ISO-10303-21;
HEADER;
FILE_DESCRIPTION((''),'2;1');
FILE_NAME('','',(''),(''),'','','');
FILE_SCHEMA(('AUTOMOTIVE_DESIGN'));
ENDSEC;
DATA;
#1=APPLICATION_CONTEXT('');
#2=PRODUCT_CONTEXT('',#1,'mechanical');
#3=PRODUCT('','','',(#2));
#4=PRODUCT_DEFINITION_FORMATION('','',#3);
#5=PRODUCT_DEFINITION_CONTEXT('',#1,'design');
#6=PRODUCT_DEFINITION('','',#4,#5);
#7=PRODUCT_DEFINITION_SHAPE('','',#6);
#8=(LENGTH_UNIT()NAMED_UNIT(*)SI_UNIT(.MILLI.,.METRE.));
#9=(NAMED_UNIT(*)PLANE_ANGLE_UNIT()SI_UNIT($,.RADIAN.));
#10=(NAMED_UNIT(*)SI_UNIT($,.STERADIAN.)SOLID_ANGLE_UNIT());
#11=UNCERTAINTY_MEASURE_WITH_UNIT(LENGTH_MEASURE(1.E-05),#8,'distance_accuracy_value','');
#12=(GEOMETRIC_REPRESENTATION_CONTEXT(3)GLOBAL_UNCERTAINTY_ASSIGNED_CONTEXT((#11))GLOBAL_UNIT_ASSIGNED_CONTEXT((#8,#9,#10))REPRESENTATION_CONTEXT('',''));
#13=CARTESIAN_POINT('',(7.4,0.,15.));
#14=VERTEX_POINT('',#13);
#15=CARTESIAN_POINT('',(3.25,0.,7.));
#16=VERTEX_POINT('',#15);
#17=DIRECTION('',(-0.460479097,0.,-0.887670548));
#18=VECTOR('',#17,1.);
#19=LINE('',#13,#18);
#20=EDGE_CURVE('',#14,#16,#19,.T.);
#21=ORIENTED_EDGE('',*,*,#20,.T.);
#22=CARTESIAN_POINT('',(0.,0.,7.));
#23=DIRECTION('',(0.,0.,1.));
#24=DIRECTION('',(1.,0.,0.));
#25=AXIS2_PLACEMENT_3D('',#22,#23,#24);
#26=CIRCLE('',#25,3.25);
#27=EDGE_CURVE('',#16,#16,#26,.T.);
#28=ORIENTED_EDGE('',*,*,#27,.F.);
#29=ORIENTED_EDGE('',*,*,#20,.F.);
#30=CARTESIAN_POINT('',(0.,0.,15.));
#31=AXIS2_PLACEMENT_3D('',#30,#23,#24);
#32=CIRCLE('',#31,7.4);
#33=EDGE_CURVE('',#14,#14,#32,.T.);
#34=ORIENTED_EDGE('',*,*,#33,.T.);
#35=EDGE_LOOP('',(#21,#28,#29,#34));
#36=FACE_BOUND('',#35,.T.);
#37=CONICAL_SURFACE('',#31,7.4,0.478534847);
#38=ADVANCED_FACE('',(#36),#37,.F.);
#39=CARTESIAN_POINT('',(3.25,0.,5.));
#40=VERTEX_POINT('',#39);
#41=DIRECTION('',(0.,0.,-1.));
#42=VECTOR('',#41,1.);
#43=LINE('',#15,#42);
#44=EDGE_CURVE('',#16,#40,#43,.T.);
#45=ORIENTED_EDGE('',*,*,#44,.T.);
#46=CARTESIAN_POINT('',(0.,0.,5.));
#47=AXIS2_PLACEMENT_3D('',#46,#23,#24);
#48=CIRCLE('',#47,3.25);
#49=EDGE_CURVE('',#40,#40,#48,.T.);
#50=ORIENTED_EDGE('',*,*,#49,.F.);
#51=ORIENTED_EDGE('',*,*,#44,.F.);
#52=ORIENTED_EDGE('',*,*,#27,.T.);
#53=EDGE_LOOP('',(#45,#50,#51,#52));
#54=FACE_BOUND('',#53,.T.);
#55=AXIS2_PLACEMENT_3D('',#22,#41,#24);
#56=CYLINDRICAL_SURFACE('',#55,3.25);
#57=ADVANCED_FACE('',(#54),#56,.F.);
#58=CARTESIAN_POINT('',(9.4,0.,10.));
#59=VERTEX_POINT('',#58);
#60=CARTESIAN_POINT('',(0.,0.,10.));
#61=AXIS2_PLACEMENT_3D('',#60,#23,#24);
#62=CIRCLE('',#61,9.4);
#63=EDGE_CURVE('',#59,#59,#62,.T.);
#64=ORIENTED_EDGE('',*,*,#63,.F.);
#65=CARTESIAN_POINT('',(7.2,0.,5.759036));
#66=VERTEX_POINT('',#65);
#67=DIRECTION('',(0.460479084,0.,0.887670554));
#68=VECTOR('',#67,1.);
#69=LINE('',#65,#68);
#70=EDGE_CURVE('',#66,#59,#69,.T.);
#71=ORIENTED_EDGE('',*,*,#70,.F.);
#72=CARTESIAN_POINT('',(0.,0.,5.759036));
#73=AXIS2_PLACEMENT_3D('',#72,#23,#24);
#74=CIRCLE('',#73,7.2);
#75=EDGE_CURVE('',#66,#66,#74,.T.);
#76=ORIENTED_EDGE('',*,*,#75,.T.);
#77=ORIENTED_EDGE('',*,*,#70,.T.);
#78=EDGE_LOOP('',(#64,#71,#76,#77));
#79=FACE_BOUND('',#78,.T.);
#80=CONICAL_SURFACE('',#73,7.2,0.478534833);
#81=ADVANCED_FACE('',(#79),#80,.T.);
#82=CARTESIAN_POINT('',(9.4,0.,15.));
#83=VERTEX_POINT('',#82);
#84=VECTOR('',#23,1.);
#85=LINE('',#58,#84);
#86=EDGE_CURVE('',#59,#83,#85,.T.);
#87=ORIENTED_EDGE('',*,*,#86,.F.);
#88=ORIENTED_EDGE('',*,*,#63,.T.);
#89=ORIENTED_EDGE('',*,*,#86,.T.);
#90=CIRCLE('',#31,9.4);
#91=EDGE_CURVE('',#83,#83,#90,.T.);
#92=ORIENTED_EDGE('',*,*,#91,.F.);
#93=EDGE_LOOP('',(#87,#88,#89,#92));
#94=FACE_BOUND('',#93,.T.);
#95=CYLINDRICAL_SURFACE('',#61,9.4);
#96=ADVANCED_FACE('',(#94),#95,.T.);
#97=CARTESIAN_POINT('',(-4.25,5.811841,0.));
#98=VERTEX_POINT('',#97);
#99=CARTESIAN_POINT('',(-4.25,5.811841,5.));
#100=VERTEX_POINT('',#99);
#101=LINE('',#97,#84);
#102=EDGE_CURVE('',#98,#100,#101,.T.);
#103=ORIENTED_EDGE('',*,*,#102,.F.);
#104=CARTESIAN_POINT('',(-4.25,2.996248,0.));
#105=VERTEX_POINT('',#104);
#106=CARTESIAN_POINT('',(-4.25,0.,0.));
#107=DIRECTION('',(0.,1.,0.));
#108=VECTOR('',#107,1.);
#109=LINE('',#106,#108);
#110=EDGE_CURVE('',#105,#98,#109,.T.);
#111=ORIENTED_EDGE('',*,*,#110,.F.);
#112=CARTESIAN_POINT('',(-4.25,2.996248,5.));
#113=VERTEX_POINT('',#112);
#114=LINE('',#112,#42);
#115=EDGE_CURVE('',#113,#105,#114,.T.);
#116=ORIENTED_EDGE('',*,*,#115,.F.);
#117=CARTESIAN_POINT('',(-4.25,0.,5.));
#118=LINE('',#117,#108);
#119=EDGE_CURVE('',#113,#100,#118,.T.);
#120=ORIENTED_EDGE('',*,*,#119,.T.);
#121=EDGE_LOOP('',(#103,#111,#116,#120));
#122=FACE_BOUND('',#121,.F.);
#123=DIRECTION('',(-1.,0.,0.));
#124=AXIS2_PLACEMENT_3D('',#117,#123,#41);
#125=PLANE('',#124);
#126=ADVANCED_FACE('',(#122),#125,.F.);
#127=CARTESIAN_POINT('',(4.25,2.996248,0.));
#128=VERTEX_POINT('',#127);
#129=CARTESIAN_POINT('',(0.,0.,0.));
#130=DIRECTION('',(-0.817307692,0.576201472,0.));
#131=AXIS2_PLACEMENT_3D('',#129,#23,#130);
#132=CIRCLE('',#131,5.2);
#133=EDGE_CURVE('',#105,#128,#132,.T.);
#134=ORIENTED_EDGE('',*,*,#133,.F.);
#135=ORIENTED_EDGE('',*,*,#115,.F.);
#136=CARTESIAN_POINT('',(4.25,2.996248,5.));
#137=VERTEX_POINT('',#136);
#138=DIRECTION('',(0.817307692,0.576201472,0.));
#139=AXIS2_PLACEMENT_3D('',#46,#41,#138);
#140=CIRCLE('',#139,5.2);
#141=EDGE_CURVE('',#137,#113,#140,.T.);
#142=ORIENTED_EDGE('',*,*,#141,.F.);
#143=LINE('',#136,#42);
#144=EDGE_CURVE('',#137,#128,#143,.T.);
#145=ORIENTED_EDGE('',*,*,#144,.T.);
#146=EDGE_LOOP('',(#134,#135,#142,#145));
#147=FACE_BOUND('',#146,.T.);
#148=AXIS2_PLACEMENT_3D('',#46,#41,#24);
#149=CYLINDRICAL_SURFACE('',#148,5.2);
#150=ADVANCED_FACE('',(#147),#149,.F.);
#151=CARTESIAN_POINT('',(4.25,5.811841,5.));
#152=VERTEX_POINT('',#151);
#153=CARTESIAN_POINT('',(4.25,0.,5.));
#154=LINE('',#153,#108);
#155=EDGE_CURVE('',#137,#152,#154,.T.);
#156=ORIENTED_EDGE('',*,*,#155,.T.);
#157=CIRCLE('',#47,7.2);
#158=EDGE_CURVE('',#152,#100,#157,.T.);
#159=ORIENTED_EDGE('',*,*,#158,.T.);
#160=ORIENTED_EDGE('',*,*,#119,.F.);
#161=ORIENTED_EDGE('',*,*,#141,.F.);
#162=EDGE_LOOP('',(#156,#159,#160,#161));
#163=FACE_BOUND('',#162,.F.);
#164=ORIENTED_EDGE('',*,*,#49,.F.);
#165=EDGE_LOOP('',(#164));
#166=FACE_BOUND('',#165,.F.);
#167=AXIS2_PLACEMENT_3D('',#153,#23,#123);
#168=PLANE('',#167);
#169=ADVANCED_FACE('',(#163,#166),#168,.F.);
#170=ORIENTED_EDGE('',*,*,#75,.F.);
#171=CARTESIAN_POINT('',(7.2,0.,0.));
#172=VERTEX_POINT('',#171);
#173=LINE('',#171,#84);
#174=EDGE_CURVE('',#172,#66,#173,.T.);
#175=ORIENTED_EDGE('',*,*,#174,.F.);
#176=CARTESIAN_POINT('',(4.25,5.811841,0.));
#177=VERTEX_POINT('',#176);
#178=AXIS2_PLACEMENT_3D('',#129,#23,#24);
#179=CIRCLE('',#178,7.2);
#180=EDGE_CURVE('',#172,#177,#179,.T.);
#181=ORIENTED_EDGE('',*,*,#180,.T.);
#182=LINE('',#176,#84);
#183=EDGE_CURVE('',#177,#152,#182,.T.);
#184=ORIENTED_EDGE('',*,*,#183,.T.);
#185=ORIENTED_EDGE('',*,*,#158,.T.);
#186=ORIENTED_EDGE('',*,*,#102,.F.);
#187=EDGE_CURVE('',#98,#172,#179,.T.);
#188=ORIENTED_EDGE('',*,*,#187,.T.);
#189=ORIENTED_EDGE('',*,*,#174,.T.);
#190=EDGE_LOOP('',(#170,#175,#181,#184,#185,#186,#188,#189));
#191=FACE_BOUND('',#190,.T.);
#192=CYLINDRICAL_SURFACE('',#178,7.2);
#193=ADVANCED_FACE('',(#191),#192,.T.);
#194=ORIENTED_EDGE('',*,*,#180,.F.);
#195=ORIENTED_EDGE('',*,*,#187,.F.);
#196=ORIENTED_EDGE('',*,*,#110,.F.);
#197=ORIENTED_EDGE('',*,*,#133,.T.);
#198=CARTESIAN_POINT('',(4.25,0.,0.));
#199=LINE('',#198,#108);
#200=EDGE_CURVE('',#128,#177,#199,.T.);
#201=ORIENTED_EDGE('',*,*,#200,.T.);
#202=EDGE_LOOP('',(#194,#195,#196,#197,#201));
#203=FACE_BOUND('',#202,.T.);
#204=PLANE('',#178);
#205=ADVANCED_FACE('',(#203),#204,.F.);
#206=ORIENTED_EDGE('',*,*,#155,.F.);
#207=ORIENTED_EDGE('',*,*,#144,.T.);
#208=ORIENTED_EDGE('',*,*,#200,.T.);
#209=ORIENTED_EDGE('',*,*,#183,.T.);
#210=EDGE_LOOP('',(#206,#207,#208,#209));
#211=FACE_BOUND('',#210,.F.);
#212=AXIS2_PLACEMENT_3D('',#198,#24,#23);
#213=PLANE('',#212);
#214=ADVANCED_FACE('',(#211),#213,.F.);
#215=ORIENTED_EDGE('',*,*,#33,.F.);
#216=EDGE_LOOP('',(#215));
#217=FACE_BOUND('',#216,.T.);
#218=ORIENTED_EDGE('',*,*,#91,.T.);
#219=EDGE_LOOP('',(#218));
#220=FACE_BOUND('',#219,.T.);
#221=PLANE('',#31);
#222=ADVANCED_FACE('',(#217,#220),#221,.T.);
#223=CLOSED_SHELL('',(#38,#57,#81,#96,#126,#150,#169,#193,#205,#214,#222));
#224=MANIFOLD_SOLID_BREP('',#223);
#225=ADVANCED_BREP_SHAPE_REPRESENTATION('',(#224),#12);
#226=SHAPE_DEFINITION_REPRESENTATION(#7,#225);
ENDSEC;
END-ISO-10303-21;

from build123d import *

# Parameters (mm, degrees)
F3_DEPTH = 25


with BuildPart() as f1:
    # F0 (on Front) → F1 (revolve)
    with BuildSketch(Plane.XZ):
        Polygon((7.2, 5.759036), (9.4, 10), (9.4, 15), (7.4, 15), (3.25, 7), (3.25, 5), (5.2, 5), (5.2, 0), (7.2, 0), align=None)
    revolve(axis=Axis((0, 0, 5), (0, 0, 1)))

    # F2 (on Front) → F3 (cut)
    with BuildSketch(Plane.XZ):
        Polygon((4.25, 5), (-4.25, 5), (-4.25, 0), (0, 0), (4.25, 0), align=None)
    extrude(amount=-F3_DEPTH, mode=Mode.SUBTRACT)


solid = f1.part
